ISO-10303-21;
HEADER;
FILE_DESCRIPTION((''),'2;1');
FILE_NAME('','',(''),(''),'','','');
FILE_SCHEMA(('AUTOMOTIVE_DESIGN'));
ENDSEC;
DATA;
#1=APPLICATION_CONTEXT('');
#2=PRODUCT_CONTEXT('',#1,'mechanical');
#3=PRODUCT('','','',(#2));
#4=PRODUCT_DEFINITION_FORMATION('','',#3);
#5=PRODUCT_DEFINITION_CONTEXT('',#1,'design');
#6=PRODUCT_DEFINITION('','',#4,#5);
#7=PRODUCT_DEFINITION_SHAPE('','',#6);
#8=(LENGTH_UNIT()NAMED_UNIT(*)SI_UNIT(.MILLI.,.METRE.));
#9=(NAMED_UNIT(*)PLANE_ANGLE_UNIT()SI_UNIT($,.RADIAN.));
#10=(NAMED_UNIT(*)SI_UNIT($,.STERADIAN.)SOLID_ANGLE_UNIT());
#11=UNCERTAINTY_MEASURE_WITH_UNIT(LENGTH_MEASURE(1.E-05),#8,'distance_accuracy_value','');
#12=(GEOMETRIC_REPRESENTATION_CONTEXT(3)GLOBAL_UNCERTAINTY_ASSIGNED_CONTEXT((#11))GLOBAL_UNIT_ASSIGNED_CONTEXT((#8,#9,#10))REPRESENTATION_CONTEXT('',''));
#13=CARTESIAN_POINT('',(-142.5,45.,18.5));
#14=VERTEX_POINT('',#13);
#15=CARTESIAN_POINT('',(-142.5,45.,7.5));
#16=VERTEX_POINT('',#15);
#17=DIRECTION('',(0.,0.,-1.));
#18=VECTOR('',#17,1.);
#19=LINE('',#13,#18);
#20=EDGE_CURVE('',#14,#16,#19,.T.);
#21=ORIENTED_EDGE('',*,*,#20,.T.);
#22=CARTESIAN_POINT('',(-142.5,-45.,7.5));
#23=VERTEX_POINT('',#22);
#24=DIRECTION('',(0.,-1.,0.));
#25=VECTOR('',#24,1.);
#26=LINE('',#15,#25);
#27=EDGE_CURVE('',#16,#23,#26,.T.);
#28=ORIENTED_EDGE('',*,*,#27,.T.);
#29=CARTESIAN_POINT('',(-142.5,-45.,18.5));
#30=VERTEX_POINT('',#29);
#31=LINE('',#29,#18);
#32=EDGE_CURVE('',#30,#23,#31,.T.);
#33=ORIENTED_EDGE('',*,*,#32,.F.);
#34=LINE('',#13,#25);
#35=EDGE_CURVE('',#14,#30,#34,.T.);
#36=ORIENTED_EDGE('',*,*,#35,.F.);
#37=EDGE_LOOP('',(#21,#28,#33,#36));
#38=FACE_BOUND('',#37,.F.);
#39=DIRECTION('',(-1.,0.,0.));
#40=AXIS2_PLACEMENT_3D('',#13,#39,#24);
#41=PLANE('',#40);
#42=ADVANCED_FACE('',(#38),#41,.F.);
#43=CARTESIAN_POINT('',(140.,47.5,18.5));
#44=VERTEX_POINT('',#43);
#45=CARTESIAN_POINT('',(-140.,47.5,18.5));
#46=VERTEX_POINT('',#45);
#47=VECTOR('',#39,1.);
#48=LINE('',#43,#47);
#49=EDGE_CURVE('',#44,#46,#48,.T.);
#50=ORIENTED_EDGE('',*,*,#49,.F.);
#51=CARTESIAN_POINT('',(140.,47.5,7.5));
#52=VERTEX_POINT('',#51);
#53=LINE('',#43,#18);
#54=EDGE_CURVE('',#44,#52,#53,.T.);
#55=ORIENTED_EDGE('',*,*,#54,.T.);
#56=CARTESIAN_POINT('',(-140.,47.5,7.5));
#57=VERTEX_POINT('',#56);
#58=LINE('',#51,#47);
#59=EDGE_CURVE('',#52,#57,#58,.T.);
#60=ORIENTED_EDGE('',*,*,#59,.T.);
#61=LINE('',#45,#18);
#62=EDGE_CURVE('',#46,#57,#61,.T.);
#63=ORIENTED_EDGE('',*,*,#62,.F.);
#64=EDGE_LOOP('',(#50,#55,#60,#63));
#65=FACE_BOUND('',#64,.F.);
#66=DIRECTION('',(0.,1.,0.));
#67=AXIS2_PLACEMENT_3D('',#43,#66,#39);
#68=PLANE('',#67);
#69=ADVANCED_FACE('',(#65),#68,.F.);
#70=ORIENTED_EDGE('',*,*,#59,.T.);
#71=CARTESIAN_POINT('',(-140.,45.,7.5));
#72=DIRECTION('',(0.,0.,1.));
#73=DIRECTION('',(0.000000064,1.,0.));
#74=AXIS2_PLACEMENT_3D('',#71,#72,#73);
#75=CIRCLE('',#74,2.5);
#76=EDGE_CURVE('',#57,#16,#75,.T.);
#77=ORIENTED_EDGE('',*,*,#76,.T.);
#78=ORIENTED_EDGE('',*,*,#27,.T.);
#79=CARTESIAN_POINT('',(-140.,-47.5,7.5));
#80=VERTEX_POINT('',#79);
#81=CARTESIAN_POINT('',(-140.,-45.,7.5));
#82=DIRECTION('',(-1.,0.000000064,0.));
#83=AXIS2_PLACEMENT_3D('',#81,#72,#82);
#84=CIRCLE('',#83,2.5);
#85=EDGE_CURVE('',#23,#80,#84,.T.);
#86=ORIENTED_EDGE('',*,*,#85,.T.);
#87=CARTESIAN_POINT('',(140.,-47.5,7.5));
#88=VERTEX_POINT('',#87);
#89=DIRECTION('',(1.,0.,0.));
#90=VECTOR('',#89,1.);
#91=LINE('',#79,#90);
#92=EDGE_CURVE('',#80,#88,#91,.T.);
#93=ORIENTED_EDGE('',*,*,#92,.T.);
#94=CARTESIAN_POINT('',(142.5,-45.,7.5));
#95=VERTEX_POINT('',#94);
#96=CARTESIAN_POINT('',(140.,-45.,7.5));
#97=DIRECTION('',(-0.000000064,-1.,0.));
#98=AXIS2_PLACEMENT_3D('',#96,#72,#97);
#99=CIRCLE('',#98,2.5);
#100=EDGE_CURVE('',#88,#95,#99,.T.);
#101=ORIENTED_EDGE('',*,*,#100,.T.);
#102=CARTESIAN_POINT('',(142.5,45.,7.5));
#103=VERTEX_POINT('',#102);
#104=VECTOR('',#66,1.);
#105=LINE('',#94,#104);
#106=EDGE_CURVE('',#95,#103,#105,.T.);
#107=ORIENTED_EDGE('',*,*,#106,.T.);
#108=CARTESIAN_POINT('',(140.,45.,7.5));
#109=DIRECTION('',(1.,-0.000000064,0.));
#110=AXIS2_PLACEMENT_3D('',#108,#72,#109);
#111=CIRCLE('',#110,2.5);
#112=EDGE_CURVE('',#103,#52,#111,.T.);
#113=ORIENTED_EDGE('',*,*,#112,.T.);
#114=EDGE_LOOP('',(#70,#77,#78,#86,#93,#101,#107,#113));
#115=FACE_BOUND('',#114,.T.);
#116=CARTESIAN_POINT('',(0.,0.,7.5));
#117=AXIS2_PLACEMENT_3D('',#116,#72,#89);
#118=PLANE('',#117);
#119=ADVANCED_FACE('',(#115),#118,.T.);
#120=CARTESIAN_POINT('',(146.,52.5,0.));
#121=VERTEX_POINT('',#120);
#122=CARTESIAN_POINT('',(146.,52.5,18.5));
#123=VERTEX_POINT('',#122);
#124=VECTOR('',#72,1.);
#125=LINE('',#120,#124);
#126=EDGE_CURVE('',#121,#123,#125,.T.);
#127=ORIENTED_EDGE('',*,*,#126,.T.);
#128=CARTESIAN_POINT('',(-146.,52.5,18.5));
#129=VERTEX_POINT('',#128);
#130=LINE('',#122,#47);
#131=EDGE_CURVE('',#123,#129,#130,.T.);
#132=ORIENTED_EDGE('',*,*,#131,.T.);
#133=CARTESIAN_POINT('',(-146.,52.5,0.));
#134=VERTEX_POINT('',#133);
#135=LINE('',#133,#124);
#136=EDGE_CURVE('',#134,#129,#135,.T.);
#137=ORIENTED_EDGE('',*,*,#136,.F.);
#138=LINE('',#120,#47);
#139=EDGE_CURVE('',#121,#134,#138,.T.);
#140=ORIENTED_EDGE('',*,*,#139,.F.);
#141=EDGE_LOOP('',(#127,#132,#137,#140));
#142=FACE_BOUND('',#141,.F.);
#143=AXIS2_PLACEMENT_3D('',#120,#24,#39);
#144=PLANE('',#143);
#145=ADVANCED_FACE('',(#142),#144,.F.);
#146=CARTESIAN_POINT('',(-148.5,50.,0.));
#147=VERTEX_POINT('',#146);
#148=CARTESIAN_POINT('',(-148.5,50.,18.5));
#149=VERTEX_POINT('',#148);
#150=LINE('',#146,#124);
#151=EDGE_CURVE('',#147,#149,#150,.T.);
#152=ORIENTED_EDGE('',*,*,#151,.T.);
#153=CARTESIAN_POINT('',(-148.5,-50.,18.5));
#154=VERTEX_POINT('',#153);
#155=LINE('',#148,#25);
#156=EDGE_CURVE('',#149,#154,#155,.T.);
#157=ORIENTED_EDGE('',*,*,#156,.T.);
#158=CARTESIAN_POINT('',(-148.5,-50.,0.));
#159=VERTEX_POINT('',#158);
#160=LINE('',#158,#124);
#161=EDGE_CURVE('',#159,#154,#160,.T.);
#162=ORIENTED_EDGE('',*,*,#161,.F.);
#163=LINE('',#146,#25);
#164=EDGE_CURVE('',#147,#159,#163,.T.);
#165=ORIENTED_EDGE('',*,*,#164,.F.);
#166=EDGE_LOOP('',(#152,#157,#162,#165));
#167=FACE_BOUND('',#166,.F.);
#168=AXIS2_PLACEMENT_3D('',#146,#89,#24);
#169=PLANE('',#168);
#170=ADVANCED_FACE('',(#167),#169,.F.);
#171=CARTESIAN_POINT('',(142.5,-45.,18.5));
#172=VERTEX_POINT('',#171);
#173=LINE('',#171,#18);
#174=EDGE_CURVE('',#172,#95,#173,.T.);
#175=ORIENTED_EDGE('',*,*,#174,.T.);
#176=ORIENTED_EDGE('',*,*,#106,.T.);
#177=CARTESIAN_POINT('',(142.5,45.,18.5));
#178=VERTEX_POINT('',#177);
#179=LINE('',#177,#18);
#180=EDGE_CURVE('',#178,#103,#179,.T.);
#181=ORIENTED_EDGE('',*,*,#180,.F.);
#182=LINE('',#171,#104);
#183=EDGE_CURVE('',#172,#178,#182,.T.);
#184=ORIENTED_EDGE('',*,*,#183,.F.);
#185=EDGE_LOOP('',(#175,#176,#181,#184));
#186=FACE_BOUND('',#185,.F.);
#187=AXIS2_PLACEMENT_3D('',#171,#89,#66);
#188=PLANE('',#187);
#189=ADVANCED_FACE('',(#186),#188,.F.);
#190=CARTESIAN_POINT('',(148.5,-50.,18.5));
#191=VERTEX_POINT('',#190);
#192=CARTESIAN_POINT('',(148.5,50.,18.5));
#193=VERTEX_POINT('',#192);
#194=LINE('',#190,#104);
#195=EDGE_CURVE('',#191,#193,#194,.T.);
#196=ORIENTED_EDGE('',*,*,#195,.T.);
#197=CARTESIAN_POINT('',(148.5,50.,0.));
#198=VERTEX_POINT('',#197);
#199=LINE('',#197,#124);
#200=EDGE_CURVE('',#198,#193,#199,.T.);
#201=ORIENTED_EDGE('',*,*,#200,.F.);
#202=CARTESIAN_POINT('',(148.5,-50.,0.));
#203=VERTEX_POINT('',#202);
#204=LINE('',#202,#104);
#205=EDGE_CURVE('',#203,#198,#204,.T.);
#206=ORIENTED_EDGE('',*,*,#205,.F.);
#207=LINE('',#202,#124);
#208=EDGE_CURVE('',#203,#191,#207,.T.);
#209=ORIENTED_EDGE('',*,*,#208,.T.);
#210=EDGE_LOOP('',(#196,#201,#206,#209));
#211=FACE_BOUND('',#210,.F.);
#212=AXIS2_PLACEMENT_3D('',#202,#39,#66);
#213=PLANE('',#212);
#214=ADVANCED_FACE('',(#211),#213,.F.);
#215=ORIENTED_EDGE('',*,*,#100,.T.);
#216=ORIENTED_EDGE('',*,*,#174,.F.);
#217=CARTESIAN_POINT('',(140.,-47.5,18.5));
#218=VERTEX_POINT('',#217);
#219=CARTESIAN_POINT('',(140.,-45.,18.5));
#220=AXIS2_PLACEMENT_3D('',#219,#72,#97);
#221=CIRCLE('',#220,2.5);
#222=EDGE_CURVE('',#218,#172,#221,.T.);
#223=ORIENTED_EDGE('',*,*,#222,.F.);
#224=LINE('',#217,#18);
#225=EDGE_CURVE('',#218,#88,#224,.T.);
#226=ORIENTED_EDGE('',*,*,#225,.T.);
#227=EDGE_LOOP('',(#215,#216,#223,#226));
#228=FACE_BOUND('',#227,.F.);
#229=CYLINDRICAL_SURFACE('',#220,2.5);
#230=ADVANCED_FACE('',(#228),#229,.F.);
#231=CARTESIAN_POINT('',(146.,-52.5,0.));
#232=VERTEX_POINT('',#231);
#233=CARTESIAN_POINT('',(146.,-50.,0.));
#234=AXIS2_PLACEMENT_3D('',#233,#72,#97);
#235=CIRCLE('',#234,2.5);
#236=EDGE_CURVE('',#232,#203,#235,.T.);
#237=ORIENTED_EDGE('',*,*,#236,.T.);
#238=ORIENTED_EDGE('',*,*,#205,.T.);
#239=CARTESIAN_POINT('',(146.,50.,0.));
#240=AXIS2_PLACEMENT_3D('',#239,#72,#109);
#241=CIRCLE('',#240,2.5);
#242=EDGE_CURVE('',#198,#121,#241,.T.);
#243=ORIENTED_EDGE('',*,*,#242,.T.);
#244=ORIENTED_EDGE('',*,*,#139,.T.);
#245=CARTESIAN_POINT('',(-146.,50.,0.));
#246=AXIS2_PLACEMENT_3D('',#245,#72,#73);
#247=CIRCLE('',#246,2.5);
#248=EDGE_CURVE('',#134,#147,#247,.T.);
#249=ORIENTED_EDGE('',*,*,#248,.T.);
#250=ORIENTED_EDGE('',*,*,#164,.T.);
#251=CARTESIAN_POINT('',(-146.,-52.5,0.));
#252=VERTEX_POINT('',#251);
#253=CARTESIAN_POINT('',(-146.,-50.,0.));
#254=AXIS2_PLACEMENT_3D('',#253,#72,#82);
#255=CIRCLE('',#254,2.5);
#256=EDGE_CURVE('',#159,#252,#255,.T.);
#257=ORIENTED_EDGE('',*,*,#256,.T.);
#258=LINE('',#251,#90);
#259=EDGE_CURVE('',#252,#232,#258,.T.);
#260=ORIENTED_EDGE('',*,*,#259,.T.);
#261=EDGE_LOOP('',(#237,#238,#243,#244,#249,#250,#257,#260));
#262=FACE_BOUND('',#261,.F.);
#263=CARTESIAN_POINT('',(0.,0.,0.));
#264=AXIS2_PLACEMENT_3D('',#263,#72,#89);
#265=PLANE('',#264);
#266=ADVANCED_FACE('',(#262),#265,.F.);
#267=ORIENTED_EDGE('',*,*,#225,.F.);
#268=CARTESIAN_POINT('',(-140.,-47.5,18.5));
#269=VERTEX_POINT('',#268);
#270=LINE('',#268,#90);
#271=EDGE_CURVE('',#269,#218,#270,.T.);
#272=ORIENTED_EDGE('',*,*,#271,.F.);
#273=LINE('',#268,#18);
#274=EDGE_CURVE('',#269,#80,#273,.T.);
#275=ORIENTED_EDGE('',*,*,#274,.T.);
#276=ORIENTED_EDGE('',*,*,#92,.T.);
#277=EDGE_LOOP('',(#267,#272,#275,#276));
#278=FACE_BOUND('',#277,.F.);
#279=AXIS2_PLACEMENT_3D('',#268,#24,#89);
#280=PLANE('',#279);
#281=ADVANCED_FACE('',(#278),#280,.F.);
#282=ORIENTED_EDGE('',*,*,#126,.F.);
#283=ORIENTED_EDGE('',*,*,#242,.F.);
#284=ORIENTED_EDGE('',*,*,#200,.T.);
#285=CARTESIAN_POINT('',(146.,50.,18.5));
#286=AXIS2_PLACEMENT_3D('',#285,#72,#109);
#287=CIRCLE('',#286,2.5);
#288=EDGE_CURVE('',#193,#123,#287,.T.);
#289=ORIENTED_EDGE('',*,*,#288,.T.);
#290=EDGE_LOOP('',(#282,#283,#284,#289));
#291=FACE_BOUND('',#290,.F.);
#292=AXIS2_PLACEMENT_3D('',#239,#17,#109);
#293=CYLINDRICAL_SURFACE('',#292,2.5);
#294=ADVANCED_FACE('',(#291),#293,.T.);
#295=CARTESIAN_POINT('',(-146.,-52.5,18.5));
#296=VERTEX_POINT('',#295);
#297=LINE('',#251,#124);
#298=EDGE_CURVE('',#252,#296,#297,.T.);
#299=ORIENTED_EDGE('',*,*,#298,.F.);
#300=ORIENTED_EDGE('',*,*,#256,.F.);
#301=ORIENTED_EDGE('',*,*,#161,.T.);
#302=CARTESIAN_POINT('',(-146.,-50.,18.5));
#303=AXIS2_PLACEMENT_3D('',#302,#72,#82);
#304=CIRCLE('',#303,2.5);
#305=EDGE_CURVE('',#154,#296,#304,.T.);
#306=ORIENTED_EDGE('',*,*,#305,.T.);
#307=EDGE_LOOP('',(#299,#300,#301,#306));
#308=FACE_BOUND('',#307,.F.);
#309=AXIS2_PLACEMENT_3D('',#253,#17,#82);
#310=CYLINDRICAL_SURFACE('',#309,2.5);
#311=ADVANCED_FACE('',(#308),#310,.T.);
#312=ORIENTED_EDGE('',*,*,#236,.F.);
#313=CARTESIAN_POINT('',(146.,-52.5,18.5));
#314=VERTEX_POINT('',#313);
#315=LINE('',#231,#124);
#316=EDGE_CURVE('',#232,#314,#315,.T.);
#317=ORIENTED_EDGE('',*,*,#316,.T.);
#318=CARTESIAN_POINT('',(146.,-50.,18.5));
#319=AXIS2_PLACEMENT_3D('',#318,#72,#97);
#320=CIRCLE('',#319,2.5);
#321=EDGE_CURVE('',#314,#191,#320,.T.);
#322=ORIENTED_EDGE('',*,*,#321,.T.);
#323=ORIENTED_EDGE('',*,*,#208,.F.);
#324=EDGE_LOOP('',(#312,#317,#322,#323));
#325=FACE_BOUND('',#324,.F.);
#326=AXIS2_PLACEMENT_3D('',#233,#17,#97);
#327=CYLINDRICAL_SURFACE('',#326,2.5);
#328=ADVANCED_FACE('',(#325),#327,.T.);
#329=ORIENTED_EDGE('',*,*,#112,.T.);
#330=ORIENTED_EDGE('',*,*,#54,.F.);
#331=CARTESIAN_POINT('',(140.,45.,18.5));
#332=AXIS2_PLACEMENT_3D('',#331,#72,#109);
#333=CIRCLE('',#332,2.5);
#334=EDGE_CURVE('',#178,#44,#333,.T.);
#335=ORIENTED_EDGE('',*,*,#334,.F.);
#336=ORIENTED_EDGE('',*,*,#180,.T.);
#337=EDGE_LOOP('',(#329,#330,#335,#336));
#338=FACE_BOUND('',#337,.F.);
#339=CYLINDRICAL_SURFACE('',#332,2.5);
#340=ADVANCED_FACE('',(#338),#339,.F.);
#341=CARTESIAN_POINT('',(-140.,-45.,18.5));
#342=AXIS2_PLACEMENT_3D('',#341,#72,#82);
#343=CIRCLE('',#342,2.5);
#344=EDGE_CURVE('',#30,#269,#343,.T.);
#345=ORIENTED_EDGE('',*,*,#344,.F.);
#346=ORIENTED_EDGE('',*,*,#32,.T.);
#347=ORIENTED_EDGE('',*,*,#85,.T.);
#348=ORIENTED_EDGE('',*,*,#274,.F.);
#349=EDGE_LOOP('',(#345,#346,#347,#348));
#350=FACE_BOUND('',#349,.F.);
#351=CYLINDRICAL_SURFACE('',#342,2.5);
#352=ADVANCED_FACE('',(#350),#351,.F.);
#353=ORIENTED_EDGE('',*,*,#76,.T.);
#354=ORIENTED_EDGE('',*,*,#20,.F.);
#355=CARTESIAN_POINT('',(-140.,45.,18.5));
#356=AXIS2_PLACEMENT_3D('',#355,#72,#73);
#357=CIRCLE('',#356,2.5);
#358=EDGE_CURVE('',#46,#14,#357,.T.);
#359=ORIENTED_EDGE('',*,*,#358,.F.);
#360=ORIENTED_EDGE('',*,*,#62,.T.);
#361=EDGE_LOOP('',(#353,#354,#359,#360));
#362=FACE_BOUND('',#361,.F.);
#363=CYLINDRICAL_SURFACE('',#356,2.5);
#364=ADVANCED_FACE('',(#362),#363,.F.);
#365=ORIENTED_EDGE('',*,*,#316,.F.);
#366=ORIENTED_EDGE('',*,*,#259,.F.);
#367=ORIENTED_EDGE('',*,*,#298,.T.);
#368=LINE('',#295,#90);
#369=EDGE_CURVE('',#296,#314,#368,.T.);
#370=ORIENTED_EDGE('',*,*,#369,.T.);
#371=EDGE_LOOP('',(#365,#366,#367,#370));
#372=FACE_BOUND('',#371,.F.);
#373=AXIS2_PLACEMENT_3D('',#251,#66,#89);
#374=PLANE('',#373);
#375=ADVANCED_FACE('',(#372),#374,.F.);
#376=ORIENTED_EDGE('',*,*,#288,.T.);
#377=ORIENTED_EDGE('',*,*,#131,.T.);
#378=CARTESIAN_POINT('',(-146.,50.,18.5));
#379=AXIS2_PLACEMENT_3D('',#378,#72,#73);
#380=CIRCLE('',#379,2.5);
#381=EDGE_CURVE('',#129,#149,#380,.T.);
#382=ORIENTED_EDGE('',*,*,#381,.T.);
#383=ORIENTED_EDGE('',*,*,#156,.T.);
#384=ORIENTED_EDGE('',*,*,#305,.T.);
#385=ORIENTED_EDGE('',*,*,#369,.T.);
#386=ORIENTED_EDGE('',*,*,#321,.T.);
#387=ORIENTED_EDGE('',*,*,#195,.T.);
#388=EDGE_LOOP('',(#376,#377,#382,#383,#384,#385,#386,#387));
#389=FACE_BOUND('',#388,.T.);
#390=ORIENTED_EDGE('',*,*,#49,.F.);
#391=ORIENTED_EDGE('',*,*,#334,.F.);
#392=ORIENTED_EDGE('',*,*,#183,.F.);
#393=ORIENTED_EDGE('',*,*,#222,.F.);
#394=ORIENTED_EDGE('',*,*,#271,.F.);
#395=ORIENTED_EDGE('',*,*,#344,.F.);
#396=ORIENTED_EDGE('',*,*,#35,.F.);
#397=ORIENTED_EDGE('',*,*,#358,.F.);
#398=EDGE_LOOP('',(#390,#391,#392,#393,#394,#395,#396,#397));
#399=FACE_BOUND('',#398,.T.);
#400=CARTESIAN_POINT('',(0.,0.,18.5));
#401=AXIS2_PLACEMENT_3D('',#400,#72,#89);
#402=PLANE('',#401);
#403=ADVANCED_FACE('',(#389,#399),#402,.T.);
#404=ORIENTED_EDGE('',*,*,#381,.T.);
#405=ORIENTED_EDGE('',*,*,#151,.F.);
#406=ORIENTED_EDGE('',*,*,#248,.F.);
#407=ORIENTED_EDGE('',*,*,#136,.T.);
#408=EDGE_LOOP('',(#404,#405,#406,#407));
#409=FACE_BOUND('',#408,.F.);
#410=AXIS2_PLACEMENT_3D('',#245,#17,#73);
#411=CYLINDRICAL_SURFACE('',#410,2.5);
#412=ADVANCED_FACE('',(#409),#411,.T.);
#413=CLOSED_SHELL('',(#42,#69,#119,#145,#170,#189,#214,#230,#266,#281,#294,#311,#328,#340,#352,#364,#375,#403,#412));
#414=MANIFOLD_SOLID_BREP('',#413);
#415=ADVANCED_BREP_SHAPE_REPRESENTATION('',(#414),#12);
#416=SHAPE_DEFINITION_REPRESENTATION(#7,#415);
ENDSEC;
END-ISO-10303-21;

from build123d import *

# Parameters (mm, degrees)
PAD_DEPTH    = 18.5
POCKET_DEPTH = 11


with BuildPart() as part:
    # Sketch → Pad (new body)
    with BuildSketch(Plane.XY):
        with BuildLine():
            Line((148.5, -50), (148.5, 50))
            ThreePointArc((148.5, 50), (147.767767, 51.767767), (146, 52.5))
            Line((146, 52.5), (-146, 52.5))
            ThreePointArc((-146, 52.5), (-147.767767, 51.767767), (-148.5, 50))
            Line((-148.5, 50), (-148.5, -50))
            ThreePointArc((-148.5, -50), (-147.767767, -51.767767), (-146, -52.5))
            Line((-146, -52.5), (146, -52.5))
            ThreePointArc((146, -52.5), (147.767767, -51.767767), (148.5, -50))
        make_face()
    extrude(amount=PAD_DEPTH)

    # Sketch001 (on Face10 of Pad) → Pocket (cut)
    with BuildSketch(Plane.XY.offset(18.5)):
        with BuildLine():
            Line((142.5, -45), (142.5, 45))
            ThreePointArc((142.5, 45), (141.767767, 46.767767), (140, 47.5))
            Line((140, 47.5), (-140, 47.5))
            ThreePointArc((-140, 47.5), (-141.767767, 46.767767), (-142.5, 45))
            Line((-142.5, 45), (-142.5, -45))
            ThreePointArc((-142.5, -45), (-141.767767, -46.767767), (-140, -47.5))
            Line((-140, -47.5), (140, -47.5))
            ThreePointArc((140, -47.5), (141.767767, -46.767767), (142.5, -45))
        make_face()
    extrude(amount=-POCKET_DEPTH, mode=Mode.SUBTRACT)


solid = part.part
